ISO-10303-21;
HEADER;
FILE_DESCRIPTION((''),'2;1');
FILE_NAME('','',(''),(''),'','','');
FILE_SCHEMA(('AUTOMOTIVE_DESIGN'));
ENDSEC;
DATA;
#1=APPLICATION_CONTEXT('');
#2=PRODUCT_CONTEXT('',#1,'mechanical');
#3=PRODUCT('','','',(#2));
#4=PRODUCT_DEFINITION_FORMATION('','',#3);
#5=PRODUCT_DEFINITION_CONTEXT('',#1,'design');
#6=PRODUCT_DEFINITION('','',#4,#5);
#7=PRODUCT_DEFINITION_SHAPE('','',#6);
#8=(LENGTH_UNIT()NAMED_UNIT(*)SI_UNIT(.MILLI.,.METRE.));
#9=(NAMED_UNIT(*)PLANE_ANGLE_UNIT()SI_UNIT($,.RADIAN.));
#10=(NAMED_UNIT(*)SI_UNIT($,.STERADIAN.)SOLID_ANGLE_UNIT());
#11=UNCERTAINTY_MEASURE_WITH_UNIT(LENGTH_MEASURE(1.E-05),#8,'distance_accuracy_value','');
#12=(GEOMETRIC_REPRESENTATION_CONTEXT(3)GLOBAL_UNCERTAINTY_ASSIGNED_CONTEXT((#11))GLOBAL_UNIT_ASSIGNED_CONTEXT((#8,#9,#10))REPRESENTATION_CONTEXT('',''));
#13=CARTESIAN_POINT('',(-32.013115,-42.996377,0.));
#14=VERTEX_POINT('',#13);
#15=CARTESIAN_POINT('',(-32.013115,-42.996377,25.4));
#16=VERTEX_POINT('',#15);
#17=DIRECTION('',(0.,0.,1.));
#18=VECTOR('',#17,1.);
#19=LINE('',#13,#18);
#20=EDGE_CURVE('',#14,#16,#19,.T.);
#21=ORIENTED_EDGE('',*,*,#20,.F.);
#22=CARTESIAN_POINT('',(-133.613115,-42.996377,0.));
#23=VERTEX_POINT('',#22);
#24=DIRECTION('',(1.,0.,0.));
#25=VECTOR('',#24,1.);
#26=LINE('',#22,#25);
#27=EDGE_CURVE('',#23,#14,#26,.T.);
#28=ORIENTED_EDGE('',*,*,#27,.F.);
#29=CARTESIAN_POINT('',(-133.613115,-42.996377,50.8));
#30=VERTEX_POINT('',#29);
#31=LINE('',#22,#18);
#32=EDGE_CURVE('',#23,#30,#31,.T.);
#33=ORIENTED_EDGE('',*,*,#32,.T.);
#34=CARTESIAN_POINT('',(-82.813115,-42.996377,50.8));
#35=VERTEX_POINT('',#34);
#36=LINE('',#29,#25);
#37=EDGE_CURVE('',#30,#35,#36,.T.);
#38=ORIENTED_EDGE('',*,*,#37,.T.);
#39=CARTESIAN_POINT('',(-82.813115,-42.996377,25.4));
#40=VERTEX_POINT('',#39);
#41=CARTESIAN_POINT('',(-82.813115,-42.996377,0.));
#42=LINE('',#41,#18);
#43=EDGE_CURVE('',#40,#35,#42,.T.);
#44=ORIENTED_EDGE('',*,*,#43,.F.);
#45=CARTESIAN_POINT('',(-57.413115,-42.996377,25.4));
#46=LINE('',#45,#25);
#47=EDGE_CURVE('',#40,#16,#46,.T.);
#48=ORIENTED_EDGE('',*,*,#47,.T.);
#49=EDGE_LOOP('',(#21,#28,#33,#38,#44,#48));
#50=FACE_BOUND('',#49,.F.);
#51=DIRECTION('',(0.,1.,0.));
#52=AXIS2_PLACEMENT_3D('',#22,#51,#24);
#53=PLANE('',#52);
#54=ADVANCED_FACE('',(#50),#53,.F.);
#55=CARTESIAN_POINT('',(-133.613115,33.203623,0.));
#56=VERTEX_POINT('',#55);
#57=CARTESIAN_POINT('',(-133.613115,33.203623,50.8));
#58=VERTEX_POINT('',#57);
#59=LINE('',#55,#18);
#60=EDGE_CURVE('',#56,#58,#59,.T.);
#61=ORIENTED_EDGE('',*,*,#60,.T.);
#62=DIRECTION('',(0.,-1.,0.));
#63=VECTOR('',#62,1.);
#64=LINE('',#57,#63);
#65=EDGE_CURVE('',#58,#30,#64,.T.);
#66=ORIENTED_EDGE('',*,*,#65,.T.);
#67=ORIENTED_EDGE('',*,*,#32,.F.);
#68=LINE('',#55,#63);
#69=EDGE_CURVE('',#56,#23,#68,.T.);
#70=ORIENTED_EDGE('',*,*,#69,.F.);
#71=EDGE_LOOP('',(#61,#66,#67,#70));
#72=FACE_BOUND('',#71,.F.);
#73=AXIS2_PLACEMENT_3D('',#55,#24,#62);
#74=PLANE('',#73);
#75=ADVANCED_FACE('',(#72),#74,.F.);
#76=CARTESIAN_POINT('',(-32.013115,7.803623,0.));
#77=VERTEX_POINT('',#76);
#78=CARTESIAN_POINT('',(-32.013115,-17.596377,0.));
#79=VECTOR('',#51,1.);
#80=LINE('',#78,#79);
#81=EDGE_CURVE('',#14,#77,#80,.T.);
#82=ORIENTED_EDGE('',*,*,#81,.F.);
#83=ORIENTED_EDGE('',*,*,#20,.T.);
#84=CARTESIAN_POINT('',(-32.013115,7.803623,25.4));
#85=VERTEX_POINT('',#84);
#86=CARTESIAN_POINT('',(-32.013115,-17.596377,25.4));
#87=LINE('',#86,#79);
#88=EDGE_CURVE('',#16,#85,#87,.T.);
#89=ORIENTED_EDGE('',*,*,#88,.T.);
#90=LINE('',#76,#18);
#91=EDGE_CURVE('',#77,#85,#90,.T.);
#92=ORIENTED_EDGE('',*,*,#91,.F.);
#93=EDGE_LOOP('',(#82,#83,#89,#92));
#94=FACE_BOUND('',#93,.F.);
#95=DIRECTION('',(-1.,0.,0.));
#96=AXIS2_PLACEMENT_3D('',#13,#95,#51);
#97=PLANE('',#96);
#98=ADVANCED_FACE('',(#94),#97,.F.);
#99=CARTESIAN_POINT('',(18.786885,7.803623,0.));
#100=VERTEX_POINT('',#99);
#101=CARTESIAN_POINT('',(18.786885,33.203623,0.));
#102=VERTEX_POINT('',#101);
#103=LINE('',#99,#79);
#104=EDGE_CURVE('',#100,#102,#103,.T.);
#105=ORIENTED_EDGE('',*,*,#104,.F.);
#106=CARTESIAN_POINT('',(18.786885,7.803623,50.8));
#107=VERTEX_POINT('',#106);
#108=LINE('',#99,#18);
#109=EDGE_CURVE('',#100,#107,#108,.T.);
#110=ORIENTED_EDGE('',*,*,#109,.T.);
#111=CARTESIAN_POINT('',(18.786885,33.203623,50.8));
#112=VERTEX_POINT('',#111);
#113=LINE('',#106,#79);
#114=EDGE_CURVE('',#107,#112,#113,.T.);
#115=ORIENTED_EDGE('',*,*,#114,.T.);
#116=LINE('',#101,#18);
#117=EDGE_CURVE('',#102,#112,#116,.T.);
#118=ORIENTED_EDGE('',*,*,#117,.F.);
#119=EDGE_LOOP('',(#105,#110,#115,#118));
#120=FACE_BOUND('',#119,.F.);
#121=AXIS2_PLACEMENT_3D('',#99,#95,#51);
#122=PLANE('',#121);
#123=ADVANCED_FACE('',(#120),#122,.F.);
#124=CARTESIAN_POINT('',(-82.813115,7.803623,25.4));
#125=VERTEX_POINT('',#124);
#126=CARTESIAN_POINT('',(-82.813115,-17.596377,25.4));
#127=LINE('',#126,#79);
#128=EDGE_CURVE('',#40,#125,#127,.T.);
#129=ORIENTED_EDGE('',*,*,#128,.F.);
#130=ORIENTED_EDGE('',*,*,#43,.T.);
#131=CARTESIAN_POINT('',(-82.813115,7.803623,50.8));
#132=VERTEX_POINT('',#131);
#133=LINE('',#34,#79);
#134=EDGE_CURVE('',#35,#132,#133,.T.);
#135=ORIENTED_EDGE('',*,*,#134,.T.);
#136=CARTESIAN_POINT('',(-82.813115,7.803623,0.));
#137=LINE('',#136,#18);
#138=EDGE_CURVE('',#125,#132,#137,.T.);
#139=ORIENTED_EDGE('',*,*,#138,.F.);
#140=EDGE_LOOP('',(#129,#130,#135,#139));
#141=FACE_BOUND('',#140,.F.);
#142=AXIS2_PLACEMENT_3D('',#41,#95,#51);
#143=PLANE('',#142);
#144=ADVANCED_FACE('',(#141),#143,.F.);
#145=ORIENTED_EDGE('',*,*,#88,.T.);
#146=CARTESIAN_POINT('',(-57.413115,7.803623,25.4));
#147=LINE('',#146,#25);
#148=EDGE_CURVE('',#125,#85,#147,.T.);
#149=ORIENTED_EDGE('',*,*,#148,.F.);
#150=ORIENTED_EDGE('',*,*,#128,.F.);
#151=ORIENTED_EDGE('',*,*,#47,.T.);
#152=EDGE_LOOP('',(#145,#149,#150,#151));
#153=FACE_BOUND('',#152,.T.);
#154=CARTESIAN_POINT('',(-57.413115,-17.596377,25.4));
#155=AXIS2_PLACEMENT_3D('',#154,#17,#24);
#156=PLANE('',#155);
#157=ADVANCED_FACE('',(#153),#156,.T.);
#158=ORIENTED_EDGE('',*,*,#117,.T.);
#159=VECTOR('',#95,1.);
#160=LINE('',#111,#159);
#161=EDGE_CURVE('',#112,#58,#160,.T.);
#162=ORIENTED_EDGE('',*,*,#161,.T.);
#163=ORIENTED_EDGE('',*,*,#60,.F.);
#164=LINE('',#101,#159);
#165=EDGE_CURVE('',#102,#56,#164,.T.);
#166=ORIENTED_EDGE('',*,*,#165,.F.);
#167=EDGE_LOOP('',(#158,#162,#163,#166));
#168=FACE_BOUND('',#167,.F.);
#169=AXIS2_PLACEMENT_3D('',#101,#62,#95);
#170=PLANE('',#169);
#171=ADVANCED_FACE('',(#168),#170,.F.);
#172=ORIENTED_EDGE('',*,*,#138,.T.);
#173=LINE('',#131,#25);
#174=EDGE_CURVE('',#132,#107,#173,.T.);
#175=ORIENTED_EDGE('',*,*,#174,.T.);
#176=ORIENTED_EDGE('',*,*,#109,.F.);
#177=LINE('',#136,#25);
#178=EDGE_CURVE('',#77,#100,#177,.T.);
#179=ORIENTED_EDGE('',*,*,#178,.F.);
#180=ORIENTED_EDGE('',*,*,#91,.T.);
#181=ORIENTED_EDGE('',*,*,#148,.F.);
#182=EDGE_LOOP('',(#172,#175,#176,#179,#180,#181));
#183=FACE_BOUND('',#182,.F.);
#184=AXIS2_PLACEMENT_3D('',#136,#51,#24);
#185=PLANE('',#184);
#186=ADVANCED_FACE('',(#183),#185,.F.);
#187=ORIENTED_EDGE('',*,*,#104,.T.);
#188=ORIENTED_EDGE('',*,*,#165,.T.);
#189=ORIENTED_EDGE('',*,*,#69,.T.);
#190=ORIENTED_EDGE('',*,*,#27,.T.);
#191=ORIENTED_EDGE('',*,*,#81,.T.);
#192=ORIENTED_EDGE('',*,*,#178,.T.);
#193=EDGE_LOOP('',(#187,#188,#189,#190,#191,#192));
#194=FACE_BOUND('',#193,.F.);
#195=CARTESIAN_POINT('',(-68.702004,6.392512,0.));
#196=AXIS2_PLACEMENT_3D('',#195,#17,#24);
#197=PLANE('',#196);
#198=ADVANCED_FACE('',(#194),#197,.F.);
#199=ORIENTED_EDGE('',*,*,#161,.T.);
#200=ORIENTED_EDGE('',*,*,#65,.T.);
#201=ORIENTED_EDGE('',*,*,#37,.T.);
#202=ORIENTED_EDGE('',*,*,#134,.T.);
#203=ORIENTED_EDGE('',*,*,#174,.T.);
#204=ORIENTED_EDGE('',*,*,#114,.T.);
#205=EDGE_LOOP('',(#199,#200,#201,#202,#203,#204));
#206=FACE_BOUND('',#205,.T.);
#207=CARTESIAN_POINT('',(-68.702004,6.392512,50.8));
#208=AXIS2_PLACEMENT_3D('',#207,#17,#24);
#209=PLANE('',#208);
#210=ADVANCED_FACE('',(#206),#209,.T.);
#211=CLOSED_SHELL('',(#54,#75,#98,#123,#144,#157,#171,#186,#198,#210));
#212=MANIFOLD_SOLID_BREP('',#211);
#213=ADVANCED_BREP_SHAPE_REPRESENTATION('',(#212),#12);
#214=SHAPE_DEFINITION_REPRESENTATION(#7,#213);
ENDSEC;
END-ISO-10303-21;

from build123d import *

# Parameters (mm, degrees)
F0_W     = 50.8
F0_H     = 50.8
F1_DEPTH = 25.4
F2_DEPTH = 50.8


with BuildPart() as f1:
    # F0 (on Top) → F1 (new body)
    with BuildSketch(Plane.XY):
        with Locations((-57.413115, -17.596377)):
            Rectangle(F0_W, F0_H)
    extrude(amount=F1_DEPTH)

    # F0 (on Top) → F2 (join)
    with BuildSketch(Plane.XY):
        Polygon((-32.013115, 33.203623), (-133.613115, 33.203623), (-133.613115, -42.996377), (-82.813115, -42.996377), (-82.813115, 7.803623), (-32.013115, 7.803623), (18.786885, 7.803623), (18.786885, 33.203623), align=None)
    extrude(amount=F2_DEPTH)


solid = f1.part
